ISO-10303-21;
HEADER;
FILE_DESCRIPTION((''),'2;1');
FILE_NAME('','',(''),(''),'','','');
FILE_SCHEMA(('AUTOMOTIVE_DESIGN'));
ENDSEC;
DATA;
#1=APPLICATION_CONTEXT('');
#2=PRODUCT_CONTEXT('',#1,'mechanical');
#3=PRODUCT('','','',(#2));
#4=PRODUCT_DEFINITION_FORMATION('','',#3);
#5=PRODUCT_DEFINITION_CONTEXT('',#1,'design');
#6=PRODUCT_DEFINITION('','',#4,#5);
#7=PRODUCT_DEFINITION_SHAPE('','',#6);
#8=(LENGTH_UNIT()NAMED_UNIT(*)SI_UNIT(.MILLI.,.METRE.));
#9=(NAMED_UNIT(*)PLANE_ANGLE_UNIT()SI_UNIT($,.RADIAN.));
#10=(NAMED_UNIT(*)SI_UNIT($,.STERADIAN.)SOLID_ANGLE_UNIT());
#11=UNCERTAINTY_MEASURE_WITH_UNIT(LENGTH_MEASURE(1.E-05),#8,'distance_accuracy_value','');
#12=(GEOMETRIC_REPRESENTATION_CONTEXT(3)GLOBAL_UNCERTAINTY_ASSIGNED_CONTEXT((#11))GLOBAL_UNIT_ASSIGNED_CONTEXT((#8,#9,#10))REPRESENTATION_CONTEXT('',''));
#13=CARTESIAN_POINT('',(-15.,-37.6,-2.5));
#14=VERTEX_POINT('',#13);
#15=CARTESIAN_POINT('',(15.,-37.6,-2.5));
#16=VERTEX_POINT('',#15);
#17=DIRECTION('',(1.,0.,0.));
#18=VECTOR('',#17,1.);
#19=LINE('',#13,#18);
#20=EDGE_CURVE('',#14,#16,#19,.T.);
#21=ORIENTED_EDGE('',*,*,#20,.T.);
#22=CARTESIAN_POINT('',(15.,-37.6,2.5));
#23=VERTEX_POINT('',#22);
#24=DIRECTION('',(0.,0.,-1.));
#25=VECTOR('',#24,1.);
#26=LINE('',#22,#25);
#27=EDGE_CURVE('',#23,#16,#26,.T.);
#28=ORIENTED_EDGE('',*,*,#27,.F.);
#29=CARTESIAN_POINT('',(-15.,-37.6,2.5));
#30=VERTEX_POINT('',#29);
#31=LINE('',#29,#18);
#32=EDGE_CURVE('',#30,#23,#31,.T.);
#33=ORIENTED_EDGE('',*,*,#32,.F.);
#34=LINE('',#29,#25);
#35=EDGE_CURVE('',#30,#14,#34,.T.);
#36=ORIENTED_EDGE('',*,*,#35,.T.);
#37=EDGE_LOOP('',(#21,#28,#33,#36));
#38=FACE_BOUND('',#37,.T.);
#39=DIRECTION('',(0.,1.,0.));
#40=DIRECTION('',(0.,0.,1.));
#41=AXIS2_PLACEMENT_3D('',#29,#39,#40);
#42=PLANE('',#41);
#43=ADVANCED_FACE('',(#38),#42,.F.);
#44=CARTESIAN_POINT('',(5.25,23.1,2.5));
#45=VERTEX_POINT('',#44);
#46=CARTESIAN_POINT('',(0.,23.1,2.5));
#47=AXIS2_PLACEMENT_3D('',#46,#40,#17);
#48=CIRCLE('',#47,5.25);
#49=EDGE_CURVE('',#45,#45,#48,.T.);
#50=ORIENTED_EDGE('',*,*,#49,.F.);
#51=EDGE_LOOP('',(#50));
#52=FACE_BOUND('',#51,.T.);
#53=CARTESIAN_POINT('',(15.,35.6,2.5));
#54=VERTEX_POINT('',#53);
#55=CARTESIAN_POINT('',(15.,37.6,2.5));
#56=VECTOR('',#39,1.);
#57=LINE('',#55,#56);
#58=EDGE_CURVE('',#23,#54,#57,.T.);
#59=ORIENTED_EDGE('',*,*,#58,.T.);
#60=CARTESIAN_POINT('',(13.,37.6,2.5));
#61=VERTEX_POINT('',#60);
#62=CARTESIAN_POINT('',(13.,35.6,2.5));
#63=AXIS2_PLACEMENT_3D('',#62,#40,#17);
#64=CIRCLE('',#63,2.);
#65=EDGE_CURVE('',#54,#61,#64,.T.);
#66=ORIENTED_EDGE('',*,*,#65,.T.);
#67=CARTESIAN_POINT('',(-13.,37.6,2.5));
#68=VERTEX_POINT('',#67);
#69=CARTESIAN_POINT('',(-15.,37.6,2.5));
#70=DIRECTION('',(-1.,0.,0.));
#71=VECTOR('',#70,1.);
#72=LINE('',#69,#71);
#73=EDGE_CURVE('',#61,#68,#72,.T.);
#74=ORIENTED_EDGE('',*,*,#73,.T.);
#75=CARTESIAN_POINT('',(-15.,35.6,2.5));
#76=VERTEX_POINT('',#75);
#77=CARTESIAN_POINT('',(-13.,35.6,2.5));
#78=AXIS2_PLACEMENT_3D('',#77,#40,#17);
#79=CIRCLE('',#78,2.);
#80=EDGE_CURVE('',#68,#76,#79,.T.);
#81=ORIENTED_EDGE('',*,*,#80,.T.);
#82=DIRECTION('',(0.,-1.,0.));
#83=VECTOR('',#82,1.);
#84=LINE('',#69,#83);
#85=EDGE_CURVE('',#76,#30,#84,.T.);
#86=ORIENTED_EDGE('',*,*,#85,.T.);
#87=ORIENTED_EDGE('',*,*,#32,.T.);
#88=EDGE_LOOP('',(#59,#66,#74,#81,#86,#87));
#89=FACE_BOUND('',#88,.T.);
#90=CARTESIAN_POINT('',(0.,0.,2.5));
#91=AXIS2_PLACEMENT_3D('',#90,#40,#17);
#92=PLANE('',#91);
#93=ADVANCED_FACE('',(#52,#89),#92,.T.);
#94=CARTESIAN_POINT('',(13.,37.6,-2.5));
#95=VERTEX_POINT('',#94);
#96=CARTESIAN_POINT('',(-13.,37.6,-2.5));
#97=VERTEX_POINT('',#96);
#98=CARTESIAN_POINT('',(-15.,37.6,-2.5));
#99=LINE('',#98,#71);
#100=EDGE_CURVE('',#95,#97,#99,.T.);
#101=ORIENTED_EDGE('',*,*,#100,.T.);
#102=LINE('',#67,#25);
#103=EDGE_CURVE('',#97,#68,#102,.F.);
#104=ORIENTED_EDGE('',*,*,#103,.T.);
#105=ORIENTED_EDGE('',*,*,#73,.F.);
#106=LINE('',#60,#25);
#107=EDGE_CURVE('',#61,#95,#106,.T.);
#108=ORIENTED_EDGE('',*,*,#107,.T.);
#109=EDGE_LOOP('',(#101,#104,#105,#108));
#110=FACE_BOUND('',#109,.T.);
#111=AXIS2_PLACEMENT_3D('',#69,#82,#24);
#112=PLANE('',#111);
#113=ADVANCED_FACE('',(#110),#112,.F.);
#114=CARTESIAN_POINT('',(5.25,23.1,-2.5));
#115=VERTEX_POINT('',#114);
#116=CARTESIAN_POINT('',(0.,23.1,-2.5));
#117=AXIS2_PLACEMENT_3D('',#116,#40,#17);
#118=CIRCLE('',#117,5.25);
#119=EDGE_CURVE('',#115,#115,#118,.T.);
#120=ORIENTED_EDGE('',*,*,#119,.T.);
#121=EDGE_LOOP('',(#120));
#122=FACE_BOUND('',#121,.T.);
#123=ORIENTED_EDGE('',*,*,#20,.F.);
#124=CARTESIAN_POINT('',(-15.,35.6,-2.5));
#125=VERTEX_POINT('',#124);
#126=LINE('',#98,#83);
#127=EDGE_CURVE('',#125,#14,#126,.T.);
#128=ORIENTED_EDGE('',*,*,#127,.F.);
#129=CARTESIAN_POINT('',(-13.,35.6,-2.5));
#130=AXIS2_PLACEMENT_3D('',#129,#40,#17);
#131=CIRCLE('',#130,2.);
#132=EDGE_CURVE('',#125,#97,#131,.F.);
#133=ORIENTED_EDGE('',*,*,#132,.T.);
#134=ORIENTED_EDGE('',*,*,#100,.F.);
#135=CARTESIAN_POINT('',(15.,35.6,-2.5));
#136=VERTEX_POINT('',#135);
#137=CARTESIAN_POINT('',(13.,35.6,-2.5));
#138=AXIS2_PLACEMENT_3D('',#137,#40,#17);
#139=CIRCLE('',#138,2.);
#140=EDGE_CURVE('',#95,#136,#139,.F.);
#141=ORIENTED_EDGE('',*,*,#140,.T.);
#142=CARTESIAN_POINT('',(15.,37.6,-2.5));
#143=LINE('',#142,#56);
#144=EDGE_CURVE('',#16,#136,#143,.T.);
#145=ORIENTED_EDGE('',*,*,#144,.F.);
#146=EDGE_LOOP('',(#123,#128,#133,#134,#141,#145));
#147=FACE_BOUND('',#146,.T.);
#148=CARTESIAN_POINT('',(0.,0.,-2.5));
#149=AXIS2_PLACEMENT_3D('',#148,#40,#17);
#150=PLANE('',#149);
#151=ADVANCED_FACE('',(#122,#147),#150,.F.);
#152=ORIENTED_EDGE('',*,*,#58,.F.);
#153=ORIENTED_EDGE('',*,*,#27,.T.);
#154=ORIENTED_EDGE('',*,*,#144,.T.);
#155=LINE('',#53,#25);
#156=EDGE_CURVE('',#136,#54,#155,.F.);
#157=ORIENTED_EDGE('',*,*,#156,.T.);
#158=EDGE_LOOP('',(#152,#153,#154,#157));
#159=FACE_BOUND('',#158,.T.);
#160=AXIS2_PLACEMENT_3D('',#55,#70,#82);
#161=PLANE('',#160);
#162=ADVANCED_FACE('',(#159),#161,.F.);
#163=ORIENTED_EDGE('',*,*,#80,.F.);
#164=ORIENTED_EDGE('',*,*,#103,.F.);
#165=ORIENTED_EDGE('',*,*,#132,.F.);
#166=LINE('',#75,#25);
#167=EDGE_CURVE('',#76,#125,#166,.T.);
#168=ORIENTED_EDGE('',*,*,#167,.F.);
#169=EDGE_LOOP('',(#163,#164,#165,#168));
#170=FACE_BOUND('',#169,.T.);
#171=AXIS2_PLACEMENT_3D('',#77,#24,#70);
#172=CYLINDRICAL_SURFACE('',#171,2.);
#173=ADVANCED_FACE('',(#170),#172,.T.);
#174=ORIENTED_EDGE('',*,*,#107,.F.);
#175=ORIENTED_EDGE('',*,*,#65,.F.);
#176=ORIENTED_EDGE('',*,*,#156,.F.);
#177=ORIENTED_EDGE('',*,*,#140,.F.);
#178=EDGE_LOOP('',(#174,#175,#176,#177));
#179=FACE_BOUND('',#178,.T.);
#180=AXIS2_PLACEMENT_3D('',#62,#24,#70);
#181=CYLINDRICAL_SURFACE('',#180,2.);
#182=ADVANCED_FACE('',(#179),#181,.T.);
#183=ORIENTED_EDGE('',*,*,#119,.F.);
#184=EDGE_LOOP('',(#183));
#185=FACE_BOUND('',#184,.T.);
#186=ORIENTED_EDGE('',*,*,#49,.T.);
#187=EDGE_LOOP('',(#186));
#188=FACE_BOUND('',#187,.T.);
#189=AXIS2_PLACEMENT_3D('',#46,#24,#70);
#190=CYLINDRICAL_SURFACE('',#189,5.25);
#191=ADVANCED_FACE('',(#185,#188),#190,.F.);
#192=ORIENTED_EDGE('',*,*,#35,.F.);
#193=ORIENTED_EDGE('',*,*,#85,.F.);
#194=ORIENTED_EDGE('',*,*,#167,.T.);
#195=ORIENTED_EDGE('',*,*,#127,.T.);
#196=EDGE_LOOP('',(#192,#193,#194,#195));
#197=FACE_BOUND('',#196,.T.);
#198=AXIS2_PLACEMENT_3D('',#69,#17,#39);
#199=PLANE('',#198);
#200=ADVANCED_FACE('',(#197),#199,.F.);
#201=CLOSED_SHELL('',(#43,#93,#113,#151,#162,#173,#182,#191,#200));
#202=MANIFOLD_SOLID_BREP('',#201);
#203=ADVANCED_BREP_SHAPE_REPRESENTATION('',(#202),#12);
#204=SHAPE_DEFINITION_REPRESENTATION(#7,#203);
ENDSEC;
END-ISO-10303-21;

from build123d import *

# Parameters (mm, degrees)
SKETCH1_W           = 30
SKETCH1_H           = 75.2
SKETCH1_R           = 5.25
BOSS_EXTRUDE1_DEPTH = 2.5
FILLET1_R           = 2


with BuildPart() as part:
    # Sketch1 → Boss-Extrude1 (new, symmetric)
    with BuildSketch(Plane.XY):
        Rectangle(SKETCH1_W, SKETCH1_H)
        with Locations((0, 23.1)):
            Circle(SKETCH1_R, mode=Mode.SUBTRACT)
    extrude(amount=BOSS_EXTRUDE1_DEPTH, both=True)

    # Fillet1
    fillet1_edges = [part.edges().sort_by_distance(p)[0] for p in [
        (-15, 37.6, 0),
        (15, 37.6, 0),
    ]]
    fillet(fillet1_edges, radius=FILLET1_R)


solid = part.part
